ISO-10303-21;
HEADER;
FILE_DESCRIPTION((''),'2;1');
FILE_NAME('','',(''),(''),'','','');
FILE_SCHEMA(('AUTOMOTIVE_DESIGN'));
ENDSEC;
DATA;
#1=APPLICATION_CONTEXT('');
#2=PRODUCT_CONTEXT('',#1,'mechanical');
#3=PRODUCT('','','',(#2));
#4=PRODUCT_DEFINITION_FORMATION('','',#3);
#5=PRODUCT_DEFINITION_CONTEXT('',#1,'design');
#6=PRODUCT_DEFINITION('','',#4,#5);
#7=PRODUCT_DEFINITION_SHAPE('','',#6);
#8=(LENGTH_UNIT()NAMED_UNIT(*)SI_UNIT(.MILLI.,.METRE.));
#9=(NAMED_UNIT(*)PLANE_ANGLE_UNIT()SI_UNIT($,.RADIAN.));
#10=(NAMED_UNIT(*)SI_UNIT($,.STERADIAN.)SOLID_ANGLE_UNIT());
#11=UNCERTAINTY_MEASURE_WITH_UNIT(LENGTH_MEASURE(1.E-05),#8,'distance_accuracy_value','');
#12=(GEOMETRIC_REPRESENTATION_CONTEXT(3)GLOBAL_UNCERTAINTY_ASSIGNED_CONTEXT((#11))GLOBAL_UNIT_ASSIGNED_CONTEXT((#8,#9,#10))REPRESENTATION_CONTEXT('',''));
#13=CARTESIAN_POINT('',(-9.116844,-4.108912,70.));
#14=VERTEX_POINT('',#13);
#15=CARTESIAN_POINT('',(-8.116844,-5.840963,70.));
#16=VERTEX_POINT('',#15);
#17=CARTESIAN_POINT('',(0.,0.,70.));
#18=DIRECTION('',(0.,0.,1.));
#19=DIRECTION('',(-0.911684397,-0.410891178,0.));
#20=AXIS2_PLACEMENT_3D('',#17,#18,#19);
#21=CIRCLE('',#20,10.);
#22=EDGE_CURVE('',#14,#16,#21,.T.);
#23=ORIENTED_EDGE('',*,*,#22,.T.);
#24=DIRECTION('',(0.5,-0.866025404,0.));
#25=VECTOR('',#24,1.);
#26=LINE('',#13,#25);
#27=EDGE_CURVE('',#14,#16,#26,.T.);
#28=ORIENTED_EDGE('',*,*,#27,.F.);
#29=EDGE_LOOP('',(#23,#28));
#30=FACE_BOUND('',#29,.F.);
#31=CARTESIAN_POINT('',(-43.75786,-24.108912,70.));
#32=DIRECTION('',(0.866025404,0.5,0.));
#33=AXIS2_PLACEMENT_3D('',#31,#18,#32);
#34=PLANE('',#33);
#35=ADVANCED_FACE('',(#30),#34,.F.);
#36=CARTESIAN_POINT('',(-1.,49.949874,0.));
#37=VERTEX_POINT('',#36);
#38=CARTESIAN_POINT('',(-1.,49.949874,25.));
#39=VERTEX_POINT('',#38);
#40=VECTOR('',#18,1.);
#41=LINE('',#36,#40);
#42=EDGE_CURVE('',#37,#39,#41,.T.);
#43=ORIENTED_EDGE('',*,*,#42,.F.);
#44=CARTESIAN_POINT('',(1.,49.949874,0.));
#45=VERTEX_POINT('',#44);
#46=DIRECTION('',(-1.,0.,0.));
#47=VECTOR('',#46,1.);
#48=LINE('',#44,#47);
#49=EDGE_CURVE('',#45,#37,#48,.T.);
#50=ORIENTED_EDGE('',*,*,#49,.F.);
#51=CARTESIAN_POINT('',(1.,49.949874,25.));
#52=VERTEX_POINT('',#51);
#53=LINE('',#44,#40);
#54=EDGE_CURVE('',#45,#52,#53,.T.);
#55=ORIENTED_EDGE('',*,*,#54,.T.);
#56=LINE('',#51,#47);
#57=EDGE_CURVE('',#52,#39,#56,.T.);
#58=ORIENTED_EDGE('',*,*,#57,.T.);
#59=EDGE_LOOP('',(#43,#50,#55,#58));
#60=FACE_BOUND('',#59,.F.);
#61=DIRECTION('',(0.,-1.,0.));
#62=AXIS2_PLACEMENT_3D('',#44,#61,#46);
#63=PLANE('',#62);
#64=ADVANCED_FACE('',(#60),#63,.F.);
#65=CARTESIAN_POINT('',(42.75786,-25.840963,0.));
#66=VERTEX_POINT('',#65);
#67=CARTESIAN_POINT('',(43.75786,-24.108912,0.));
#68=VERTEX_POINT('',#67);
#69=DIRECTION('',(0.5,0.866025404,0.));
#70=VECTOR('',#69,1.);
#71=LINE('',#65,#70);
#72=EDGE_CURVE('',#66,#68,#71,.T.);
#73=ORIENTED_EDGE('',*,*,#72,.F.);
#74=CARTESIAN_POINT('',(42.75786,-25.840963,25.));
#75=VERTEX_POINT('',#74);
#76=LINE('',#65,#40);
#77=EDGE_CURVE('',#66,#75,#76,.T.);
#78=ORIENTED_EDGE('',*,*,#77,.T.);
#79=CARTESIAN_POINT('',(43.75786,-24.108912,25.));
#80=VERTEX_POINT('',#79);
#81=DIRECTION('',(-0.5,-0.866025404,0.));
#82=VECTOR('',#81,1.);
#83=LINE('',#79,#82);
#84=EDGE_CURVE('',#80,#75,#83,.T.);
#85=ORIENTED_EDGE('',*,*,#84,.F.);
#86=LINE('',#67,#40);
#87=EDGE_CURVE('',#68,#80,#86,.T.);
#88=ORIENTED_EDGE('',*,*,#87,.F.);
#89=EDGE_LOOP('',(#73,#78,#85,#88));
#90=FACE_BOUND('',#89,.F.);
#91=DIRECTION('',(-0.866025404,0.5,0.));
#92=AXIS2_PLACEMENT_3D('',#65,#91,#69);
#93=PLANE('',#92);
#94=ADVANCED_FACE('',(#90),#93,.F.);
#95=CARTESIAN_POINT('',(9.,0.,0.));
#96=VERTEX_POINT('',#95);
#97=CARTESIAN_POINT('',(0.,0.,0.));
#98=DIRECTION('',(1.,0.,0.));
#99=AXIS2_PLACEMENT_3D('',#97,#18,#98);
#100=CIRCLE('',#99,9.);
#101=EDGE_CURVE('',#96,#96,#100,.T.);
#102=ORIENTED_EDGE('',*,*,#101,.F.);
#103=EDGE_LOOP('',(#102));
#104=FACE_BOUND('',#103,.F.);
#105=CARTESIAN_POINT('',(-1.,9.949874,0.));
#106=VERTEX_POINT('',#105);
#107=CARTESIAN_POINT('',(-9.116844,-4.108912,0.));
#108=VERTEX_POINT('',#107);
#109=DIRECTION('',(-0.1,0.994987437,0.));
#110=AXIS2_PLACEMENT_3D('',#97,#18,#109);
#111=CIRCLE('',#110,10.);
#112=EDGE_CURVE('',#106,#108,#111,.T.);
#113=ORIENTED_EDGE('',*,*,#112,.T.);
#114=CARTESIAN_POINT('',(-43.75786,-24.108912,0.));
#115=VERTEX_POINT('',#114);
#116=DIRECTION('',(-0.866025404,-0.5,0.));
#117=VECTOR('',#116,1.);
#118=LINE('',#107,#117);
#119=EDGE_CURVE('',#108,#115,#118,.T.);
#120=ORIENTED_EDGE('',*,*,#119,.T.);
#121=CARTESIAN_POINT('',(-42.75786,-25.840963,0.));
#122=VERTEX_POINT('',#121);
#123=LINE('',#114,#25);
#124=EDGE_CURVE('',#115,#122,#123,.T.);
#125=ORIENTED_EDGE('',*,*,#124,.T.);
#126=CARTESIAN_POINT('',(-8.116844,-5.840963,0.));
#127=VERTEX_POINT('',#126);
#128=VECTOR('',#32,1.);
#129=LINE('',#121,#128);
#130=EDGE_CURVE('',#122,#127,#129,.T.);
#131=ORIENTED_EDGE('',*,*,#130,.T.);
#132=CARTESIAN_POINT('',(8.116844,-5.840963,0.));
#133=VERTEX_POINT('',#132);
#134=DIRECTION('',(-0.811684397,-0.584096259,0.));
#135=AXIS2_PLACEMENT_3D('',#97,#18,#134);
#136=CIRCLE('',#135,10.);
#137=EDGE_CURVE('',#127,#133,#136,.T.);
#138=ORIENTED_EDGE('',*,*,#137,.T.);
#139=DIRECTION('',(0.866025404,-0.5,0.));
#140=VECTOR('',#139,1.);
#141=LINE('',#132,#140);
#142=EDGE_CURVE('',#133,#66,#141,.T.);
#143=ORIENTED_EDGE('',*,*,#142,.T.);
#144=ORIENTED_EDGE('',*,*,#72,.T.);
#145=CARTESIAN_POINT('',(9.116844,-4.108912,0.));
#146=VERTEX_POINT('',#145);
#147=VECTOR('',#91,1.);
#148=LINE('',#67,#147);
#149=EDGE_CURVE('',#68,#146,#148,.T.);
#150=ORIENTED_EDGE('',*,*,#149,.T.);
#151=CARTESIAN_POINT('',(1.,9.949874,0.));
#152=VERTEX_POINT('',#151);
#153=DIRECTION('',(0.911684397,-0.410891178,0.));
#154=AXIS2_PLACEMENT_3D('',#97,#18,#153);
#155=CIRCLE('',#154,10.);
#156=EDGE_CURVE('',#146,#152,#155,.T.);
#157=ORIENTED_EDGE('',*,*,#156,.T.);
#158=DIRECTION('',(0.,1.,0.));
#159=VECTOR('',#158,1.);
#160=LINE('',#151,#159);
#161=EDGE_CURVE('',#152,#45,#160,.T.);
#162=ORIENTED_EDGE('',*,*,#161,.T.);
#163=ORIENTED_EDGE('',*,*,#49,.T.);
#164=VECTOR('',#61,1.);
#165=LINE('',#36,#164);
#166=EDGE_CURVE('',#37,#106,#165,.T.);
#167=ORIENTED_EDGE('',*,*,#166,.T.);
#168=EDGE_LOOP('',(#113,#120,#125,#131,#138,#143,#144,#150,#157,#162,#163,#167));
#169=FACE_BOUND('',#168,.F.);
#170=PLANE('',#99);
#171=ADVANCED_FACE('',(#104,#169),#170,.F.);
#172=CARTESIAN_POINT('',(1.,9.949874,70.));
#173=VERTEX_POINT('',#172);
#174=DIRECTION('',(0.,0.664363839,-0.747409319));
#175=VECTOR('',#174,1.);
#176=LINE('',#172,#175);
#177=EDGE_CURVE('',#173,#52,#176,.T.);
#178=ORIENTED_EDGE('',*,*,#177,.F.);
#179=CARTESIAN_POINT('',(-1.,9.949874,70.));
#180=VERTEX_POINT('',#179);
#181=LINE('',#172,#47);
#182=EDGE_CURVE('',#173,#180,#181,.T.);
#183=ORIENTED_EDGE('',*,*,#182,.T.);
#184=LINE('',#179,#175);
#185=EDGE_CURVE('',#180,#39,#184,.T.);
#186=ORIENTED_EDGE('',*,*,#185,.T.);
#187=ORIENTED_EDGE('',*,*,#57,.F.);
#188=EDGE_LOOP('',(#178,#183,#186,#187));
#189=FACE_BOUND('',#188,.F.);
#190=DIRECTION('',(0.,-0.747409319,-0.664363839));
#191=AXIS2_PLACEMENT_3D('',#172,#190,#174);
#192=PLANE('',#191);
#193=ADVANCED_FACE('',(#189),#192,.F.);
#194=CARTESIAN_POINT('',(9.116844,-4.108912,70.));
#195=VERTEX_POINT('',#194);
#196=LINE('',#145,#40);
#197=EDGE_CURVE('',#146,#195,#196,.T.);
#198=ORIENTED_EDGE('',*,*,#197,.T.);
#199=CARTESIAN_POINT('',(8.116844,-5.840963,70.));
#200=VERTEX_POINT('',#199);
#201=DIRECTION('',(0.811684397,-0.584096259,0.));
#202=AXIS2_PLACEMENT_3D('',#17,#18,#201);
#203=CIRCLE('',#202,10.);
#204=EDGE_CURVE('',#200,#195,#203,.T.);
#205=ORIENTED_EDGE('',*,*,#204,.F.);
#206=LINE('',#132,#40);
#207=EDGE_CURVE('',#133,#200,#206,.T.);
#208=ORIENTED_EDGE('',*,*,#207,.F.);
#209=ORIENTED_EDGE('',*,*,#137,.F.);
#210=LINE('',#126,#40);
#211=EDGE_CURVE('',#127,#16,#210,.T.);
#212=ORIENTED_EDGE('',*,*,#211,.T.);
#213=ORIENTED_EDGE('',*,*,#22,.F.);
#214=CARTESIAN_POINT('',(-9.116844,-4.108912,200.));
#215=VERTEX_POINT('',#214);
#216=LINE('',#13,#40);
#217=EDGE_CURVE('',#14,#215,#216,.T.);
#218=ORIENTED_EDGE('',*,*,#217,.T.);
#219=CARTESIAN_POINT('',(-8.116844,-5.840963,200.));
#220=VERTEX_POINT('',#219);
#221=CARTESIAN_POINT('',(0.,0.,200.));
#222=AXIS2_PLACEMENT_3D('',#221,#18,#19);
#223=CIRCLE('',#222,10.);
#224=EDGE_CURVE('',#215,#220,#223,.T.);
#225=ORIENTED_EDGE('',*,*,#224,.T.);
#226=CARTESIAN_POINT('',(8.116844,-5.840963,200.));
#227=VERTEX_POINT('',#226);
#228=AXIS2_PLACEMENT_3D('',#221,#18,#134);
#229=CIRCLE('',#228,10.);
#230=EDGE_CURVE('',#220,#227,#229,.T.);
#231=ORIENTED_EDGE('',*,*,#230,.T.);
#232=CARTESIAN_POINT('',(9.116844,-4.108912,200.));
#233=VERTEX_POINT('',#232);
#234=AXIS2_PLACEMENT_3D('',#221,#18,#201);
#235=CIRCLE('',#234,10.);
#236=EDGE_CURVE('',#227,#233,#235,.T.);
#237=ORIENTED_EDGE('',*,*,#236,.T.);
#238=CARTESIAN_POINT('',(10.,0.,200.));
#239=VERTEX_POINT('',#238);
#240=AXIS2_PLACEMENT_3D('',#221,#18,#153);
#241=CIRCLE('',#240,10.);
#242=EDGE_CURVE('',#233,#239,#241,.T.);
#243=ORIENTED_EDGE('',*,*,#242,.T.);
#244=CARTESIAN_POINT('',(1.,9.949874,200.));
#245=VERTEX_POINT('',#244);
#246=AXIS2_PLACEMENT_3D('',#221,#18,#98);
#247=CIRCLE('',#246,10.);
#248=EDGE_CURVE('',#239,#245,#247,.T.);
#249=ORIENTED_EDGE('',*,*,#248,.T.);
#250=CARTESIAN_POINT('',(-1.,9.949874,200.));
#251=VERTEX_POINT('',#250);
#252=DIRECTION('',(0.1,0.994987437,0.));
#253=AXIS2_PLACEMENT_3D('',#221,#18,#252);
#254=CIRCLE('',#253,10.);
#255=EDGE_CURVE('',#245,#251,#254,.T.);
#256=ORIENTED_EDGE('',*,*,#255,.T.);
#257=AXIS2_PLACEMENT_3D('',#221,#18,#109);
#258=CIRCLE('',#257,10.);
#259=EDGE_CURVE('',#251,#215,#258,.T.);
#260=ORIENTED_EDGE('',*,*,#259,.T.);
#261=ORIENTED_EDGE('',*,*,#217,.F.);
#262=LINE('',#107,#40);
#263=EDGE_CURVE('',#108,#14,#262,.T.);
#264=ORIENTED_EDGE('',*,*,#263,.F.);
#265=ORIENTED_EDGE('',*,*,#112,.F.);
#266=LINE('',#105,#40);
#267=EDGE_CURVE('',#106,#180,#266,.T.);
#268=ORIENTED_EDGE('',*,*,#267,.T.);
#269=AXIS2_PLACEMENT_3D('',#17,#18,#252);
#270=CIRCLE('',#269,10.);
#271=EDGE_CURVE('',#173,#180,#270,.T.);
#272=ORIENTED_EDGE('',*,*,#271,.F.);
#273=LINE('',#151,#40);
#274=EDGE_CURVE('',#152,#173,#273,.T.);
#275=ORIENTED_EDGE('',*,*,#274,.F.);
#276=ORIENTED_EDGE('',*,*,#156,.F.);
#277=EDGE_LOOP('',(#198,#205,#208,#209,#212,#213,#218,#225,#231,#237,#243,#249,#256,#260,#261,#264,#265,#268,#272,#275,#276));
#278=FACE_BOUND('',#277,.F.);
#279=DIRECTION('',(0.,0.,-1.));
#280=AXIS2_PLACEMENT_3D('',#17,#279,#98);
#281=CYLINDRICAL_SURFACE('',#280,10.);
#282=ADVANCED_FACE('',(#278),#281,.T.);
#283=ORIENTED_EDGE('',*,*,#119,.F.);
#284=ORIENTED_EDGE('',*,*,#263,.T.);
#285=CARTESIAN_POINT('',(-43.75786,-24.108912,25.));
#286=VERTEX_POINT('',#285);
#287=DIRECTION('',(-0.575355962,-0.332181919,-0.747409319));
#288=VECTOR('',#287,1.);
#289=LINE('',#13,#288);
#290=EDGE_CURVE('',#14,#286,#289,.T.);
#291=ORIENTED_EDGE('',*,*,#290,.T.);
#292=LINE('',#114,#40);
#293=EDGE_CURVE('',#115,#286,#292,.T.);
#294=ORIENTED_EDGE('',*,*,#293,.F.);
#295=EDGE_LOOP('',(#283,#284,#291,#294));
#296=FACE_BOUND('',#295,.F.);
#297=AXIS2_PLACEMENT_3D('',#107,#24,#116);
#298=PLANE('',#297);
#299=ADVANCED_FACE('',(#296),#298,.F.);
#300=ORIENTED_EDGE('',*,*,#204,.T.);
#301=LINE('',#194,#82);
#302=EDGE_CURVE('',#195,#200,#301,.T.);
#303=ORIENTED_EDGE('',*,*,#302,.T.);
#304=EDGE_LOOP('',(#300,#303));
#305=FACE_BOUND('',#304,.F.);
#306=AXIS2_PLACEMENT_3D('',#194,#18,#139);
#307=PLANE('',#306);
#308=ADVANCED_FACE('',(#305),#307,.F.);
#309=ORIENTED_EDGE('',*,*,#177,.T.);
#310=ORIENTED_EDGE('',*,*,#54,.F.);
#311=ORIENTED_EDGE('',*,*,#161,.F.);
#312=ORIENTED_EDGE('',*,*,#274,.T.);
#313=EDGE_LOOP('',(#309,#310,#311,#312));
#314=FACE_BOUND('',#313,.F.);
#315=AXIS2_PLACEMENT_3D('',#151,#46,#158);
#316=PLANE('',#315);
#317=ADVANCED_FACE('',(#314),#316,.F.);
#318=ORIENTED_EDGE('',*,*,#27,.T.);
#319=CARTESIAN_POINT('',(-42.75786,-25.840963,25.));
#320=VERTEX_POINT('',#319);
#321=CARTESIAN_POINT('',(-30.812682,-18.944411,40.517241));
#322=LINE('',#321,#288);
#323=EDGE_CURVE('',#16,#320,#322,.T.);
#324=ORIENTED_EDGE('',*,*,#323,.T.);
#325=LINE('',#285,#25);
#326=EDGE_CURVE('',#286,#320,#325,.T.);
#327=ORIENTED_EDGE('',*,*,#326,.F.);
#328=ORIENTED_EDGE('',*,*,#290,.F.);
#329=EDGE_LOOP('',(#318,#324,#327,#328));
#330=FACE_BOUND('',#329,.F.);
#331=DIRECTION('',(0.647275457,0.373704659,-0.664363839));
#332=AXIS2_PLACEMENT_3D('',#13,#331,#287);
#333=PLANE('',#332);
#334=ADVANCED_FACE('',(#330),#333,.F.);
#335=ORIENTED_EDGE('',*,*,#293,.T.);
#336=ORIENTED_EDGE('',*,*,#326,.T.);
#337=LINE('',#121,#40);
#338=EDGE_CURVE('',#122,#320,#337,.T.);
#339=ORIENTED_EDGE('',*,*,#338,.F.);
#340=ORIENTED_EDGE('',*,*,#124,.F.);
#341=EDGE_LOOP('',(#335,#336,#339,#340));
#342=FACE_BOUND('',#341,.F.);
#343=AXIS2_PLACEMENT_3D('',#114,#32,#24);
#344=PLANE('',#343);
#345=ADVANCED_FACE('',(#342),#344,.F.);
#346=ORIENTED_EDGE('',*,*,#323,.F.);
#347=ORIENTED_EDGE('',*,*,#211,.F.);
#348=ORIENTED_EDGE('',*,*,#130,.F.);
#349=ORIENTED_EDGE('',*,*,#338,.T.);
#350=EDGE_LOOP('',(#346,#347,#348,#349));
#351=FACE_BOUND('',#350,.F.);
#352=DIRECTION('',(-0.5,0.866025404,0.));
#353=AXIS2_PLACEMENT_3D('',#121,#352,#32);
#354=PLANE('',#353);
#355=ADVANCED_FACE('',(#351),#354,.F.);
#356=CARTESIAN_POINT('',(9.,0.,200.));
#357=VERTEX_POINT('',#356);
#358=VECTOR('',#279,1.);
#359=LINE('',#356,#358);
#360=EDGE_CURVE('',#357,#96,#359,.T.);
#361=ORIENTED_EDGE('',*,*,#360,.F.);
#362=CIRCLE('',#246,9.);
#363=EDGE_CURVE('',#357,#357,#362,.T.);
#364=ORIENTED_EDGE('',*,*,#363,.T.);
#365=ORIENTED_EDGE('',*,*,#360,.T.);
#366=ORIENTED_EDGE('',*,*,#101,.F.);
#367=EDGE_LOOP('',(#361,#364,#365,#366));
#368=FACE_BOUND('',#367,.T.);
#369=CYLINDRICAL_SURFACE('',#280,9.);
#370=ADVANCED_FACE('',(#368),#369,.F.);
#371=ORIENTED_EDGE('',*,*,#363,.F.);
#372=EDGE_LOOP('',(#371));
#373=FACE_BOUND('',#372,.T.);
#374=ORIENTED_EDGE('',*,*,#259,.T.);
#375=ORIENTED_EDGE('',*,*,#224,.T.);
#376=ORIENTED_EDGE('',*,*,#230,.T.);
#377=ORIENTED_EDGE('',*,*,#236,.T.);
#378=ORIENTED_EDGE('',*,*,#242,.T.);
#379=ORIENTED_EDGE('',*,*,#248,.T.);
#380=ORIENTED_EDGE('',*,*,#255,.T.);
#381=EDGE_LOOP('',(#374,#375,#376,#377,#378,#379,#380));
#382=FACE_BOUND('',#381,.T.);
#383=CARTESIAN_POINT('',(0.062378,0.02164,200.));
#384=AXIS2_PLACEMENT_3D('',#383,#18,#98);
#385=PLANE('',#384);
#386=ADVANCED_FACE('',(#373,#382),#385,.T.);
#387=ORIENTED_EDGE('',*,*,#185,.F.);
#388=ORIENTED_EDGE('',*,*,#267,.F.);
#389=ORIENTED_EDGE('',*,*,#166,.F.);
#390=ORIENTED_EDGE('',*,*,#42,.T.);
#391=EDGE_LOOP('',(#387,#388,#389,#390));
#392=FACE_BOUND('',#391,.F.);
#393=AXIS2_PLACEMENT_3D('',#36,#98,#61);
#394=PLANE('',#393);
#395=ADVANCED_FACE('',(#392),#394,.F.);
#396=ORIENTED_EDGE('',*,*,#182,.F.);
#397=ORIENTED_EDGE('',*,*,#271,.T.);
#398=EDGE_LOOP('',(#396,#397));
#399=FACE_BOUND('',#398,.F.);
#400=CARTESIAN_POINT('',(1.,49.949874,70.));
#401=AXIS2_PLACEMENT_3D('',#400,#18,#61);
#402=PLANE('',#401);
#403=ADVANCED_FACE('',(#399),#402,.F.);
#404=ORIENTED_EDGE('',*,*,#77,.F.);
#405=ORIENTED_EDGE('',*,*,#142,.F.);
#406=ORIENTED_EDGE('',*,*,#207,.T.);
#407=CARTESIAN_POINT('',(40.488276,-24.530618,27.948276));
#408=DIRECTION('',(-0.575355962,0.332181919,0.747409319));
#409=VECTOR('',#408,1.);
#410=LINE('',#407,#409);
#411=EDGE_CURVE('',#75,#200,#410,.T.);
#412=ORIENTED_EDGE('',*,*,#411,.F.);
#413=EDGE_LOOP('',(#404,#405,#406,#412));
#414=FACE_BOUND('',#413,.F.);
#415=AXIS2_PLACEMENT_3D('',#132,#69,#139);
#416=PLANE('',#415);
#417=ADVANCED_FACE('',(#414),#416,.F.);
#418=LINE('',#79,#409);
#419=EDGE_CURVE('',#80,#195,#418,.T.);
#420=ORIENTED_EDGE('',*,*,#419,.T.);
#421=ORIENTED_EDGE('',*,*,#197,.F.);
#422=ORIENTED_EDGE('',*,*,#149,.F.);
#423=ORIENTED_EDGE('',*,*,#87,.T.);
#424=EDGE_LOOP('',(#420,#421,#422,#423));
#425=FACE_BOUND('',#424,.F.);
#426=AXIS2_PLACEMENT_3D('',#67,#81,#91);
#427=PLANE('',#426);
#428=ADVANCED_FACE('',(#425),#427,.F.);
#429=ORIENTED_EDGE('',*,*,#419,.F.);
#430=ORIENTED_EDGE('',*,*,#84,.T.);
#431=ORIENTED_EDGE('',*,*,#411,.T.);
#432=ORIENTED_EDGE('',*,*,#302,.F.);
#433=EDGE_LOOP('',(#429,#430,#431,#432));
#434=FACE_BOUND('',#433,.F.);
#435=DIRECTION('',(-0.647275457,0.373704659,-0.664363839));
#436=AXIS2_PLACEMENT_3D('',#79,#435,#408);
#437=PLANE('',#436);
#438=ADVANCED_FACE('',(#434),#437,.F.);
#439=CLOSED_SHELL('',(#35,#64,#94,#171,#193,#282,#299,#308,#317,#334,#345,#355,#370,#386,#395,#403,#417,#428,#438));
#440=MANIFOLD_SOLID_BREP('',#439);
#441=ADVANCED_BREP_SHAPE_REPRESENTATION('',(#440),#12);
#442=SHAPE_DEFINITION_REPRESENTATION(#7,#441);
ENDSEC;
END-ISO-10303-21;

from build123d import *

# Parameters (mm, degrees)
F0_R     = 9
F1_DEPTH = 70
F2_R     = 9
F3_DEPTH = 130
F5_DEPTH = 2
F7_DEPTH = 25
F9_DEPTH = 25


with BuildPart() as f1:
    # F0 (on Top) → F1 (new body)
    with BuildSketch(Plane.XY):
        with BuildLine():
            Line((-1, 49.9498743711), (-1, 9.9498743711))
            ThreePointArc((-1, 9.9498743711), (-8.6602540378, 5), (-9.1168439698, -4.1089117817))
            Line((-9.1168439698, -4.1089117817), (-43.7578601212, -24.1089117817))
            Line((-43.7578601212, -24.1089117817), (-43.2578601212, -24.9749371855))
            Line((-43.2578601212, -24.9749371855), (-42.7578601212, -25.8409625893))
            Line((-42.7578601212, -25.8409625893), (-8.1168439698, -5.8409625893))
            ThreePointArc((-8.1168439698, -5.8409625893), (0, -10), (8.1168439698, -5.8409625893))
            Line((8.1168439698, -5.8409625893), (42.7578601212, -25.8409625893))
            Line((42.7578601212, -25.8409625893), (43.2578601212, -24.9749371855))
            Line((43.2578601212, -24.9749371855), (43.7578601212, -24.1089117817))
            Line((43.7578601212, -24.1089117817), (9.1168439698, -4.1089117817))
            ThreePointArc((9.1168439698, -4.1089117817), (8.6602540378, 5), (1, 9.9498743711))
            Line((1, 9.9498743711), (1, 49.9498743711))
            Line((1, 49.9498743711), (0, 49.9498743711))
            Line((0, 49.9498743711), (-1, 49.9498743711))
        make_face()
        Circle(F0_R, mode=Mode.SUBTRACT)
    extrude(amount=F1_DEPTH)

    # F2 (on face) → F3 (join)
    with BuildSketch(Plane.XY.offset(70)):
        with BuildLine():
            ThreePointArc((9.1168439698, -4.1089117817), (9.7767182556, -2.1013757758), (10, 0))
            ThreePointArc((10, 0), (7.4161984871, 6.7082039325), (1, 9.9498743711))
            ThreePointArc((1, 9.9498743711), (0, 10), (-1, 9.9498743711))
            ThreePointArc((-1, 9.9498743711), (-8.6602540378, 5), (-9.1168439698, -4.1089117817))
            ThreePointArc((-9.1168439698, -4.1089117817), (-8.6602540378, -5), (-8.1168439698, -5.8409625893))
            ThreePointArc((-8.1168439698, -5.8409625893), (0, -10), (8.1168439698, -5.8409625893))
            ThreePointArc((8.1168439698, -5.8409625893), (8.6602540378, -5), (9.1168439698, -4.1089117817))
        make_face()
        Circle(F2_R, mode=Mode.SUBTRACT)
    extrude(amount=F3_DEPTH)

    # F4 (on face) → F5 (cut, through all)
    with BuildSketch(Plane.YZ.offset(1)):
        Polygon((49.9498743711, 70), (9.9498743711, 70), (49.9498743711, 25), align=None)
    extrude(amount=-F5_DEPTH, mode=Mode.SUBTRACT)

    # F6 (on face) → F7 (cut)
    with BuildSketch(Plane(origin=(0.5, 0.8660254038, 0), x_dir=(-0.8660254038, 0.5, 0), z_dir=(0.5, 0.8660254038, 0))):
        Polygon((-49.9498743711, 25), (-9.9498743711, 70), (-49.9498743711, 70), align=None)
    extrude(amount=-F7_DEPTH, mode=Mode.SUBTRACT)

    # F8 (on face) → F9 (cut)
    with BuildSketch(Plane(origin=(-0.5, 0.8660254038, 0), x_dir=(-0.8660254038, -0.5, 0), z_dir=(-0.5, 0.8660254038, 0))):
        Polygon((49.9498743711, 70), (9.9498743711, 70), (49.9498743711, 25), align=None)
    extrude(amount=-F9_DEPTH, mode=Mode.SUBTRACT)


solid = f1.part
